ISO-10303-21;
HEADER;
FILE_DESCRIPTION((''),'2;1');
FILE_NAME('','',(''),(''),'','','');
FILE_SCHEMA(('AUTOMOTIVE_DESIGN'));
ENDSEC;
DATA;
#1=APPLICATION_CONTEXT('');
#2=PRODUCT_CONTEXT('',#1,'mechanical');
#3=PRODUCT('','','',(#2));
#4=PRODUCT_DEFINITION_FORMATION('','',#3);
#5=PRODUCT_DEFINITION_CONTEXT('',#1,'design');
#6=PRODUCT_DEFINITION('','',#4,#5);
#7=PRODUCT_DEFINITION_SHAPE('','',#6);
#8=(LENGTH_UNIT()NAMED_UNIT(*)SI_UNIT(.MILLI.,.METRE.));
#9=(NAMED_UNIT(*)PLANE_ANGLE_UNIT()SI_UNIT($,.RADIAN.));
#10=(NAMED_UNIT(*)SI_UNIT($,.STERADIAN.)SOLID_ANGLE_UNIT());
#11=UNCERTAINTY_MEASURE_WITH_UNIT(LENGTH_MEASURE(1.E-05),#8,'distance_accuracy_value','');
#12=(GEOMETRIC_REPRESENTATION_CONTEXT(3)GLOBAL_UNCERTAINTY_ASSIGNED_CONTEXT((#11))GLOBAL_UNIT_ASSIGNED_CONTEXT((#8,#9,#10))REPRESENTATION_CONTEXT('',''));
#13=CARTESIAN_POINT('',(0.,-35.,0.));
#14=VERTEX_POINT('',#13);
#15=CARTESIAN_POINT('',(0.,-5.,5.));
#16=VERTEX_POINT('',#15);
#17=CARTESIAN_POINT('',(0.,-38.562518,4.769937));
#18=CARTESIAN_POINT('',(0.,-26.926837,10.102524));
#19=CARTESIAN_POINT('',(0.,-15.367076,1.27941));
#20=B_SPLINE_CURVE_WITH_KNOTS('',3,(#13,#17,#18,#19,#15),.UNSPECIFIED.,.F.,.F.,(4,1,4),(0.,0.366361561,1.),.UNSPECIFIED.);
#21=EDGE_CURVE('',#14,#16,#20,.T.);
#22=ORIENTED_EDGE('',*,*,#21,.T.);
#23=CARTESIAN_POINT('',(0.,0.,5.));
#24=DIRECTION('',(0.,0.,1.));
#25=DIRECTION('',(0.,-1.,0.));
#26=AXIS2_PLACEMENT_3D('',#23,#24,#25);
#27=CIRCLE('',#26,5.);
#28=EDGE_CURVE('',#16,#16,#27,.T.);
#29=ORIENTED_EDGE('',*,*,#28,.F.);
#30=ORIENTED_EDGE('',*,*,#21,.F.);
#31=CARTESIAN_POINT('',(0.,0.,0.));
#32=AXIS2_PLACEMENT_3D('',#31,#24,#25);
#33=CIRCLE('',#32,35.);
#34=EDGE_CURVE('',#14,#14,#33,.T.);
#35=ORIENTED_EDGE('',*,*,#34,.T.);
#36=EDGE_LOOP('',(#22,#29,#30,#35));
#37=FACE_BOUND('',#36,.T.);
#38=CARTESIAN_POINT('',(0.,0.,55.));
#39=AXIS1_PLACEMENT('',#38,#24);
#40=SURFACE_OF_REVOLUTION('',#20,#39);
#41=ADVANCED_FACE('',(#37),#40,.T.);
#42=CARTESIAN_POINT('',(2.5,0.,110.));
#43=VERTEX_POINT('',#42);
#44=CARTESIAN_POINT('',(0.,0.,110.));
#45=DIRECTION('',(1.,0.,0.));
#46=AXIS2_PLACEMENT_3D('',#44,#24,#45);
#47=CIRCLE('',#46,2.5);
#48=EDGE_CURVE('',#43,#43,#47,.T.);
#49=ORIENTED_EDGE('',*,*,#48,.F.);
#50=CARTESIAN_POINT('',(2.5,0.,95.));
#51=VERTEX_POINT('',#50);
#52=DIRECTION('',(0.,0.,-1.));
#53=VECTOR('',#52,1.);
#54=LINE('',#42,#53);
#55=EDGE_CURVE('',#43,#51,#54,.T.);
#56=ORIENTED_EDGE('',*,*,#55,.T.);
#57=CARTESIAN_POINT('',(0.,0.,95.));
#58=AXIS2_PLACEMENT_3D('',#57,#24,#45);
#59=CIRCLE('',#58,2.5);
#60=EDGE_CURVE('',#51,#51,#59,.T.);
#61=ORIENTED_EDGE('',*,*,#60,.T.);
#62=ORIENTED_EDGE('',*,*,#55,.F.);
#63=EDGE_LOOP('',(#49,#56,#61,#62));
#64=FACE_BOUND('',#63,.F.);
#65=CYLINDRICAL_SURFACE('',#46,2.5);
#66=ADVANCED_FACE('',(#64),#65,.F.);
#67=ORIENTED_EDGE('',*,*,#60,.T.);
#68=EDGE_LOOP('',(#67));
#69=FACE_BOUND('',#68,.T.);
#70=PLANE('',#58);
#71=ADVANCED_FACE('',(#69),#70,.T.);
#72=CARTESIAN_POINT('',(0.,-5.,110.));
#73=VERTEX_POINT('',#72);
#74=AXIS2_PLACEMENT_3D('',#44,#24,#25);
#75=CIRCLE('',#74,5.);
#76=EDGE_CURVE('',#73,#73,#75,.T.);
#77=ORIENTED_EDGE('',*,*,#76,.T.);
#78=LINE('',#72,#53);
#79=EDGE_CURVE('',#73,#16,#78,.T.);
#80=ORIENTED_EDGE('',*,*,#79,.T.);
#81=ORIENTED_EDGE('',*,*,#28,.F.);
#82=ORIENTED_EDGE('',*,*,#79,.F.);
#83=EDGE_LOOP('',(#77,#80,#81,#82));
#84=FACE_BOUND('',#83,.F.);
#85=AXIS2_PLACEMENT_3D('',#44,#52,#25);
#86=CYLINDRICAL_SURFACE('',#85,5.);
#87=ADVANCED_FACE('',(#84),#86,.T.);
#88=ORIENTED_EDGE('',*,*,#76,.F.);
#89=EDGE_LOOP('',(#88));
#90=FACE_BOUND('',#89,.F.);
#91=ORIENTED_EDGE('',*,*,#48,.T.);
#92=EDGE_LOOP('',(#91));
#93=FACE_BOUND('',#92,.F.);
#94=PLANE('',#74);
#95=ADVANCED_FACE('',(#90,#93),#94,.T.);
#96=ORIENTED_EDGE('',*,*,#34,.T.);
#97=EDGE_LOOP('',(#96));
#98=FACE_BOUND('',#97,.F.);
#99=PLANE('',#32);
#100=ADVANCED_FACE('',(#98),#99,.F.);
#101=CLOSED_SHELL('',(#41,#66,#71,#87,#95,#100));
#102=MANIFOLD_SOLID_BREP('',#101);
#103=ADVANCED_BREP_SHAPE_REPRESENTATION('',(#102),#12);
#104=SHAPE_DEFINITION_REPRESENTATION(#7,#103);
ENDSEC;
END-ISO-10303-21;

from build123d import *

# Parameters (mm, degrees)
F2_R     = 2.5
F3_DEPTH = 15


with BuildPart() as f1:
    # F0 (on Right) → F1 (revolve)
    with BuildSketch(Plane.YZ):
        with BuildLine():
            Line((-35, 0), (0, 0))
            Line((0, 0), (0, 110))
            Line((0, 110), (-5, 110))
            Line((-5, 110), (-5, 5))
            add(Edge.make_bspline(
                [(-35, 0), (-38.5625176132, 4.7699366696), (-26.9268367712, 10.1025238986), (-15.3670758009, 1.2794099748), (-5, 5)],
                knots=[0, 0, 0, 0, 0.3663615612, 1, 1, 1, 1], degree=3))
        make_face()
    revolve(axis=Axis((0, 0, 55), (0, 0, 1)))

    # F2 (on face) → F3 (cut)
    with BuildSketch(Plane.XY.offset(110)):
        Circle(F2_R)
    extrude(amount=-F3_DEPTH, mode=Mode.SUBTRACT)


solid = f1.part
